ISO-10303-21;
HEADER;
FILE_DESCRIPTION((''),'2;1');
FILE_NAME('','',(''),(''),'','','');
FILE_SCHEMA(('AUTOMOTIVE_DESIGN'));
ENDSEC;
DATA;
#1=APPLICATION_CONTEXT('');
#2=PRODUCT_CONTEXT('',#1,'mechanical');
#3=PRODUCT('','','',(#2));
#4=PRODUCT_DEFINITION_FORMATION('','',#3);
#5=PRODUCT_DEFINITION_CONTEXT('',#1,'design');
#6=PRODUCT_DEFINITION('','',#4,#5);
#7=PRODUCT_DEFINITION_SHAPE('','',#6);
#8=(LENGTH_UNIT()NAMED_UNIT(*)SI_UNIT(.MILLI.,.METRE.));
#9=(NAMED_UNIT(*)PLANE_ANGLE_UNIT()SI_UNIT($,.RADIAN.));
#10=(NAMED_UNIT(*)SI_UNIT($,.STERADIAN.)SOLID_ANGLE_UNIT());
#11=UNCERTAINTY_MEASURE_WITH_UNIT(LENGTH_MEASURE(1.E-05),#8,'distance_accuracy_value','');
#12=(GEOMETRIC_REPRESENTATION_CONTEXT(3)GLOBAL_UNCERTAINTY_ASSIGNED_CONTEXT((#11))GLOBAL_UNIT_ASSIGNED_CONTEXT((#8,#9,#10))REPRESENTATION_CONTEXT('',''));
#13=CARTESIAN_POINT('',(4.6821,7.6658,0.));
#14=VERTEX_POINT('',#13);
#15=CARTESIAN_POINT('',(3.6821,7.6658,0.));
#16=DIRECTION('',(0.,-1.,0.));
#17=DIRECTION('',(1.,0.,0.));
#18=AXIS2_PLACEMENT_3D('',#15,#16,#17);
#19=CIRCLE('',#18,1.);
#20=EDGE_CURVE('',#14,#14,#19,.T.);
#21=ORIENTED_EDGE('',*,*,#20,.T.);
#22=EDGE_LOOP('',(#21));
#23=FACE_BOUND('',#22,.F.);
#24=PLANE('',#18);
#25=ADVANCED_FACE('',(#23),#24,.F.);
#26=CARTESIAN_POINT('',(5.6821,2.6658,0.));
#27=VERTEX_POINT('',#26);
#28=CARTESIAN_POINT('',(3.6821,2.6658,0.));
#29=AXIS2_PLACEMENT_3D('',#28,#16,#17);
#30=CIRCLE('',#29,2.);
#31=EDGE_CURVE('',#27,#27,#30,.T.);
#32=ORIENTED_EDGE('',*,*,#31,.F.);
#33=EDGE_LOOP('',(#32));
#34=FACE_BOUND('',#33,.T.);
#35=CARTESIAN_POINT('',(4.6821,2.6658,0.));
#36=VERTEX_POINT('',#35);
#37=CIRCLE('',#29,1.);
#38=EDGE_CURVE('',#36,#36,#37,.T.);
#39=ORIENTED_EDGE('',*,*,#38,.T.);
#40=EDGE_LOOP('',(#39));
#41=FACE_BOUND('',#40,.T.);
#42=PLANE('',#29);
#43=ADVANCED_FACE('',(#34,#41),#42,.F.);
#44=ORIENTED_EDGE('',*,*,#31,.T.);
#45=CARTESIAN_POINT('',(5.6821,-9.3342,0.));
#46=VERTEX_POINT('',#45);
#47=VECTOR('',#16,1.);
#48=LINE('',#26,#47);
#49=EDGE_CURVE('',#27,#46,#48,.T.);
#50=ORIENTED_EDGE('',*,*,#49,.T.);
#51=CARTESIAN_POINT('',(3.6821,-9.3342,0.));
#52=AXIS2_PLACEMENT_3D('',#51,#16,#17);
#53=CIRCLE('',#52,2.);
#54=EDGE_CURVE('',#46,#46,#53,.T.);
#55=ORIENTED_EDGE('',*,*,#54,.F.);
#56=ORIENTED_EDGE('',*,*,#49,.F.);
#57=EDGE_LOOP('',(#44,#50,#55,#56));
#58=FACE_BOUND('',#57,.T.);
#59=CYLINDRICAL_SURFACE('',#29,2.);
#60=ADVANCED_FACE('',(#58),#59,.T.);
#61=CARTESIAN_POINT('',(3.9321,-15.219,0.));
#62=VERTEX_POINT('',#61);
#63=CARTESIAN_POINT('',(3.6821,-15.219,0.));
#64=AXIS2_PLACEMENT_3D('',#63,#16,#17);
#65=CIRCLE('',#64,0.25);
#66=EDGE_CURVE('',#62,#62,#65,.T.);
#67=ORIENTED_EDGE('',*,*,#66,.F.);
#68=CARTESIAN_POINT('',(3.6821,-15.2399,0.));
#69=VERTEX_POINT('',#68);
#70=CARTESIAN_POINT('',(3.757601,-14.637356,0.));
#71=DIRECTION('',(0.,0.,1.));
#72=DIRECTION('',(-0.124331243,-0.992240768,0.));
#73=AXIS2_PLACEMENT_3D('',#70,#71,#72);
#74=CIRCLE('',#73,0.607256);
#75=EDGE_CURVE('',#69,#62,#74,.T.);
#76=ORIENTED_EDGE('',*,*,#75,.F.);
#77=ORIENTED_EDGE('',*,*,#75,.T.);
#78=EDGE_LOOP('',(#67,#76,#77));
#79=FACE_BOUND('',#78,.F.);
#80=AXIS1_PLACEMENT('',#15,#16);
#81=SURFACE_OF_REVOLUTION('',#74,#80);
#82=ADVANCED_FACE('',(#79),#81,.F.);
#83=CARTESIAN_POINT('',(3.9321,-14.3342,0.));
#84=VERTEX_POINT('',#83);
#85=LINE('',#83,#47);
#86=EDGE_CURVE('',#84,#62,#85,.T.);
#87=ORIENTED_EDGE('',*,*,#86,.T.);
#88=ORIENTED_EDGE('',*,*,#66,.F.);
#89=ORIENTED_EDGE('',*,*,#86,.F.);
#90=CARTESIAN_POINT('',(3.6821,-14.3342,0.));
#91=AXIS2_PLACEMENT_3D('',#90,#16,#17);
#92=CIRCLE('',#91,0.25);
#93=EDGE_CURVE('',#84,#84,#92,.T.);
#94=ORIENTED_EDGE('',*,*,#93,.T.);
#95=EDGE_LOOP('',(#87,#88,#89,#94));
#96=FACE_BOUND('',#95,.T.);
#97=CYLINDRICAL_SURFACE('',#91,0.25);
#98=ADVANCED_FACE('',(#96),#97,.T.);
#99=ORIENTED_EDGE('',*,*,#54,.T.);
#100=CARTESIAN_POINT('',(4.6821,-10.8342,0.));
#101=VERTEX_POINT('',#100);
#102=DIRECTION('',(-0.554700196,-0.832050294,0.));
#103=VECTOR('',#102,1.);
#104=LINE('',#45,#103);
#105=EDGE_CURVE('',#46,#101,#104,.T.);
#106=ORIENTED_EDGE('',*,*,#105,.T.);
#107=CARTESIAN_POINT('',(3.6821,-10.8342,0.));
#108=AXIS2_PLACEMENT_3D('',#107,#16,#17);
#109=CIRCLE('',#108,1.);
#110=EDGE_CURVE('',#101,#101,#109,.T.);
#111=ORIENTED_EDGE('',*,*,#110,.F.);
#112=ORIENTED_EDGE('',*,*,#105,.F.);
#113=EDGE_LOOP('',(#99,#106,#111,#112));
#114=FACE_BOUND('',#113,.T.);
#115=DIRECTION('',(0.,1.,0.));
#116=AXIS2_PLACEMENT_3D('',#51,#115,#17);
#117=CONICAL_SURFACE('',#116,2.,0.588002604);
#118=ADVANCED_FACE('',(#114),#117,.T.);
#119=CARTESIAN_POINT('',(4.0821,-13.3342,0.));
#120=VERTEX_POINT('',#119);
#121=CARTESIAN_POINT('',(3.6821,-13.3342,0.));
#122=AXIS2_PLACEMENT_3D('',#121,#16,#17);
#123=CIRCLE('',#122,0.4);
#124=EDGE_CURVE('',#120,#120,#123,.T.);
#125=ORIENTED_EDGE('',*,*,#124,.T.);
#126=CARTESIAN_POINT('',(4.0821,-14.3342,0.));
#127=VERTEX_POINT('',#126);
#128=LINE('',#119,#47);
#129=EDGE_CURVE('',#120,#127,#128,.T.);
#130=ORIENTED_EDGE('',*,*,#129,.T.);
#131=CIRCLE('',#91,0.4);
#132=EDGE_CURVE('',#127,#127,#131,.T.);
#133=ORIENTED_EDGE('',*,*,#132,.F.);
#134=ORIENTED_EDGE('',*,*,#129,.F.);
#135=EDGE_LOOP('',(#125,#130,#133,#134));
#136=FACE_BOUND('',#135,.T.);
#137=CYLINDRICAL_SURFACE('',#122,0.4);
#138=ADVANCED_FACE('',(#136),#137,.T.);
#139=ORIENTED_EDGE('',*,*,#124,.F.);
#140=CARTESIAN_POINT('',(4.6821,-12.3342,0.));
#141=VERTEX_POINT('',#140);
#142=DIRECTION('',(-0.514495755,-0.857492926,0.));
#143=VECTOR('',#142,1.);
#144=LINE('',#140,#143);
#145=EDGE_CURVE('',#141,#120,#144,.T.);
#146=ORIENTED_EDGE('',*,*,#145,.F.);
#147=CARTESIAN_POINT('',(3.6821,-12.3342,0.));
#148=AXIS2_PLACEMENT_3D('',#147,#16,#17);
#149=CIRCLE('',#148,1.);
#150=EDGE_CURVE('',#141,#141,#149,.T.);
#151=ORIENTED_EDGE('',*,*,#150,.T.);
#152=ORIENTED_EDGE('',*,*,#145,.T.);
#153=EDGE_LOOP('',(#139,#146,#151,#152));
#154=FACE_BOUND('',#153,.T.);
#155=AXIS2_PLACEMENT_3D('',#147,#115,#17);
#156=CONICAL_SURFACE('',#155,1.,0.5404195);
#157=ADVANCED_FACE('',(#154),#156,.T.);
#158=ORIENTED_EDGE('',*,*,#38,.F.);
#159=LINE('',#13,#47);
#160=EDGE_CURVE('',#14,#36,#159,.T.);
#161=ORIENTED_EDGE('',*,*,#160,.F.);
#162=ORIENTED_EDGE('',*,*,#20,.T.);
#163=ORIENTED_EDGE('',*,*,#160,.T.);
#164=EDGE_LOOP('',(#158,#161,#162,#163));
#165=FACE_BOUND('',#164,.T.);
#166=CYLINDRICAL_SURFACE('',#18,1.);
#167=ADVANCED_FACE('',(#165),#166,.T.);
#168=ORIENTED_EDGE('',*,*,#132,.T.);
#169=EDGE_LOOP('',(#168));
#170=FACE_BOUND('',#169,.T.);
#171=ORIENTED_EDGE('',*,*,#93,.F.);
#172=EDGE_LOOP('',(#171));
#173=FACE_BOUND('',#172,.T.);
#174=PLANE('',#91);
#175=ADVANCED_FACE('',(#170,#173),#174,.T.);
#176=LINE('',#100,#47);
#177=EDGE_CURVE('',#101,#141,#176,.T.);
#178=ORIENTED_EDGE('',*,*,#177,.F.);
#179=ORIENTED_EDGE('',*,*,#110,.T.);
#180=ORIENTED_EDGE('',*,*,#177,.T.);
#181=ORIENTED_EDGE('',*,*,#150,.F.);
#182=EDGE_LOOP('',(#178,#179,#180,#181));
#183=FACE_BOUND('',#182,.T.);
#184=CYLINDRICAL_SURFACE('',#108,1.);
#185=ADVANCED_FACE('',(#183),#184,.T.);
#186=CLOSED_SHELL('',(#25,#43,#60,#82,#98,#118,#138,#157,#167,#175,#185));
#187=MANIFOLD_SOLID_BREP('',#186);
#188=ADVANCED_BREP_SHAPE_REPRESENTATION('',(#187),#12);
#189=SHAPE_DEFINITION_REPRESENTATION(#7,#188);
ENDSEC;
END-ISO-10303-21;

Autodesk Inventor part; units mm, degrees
ref_plane "YZ Plane" through (0, 0, 0) normal (1, 0, 0) x (0, 1, 0)
ref_plane "XZ Plane" through (0, 0, 0) normal (0, 1, 0) x (-1, 0, 0)
ref_plane "XY Plane" through (0, 0, 0) normal (0, 0, 1) x (1, 0, 0)
sketch "Sketch1" plane through (0, 0, 0) normal (0, 0, 1) x (1, 0, 0)
  line L0 (4.6821, 7.6658) -> (4.6821, 2.6658)
  line L1 (4.6821, 2.6658) -> (5.6821, 2.6658)
  line L2 (5.6821, 2.6658) -> (5.6821, -9.3342)
  line L3 (5.6821, -9.3342) -> (4.6821, -10.8342)
  line L4 (4.6821, -10.8342) -> (4.6821, -12.3342)
  line L5 (4.0821, -13.3342) -> (4.0821, -14.3342)
  line L6 (4.6821, -12.3342) -> (4.0821, -13.3342)
  line L7 (3.9321, -14.3342) -> (3.9321, -15.219)
  line L8 (3.6821, 7.6658) -> (3.6821, -15.2399)
  line L9 (4.0821, -14.3342) -> (3.9321, -14.3342)
  arc A0 (3.6821, -15.2399) -> (3.9321, -15.219) centre (3.7576, -14.6374) ccw
  line L10 (4.6821, 7.6658) -> (3.6821, 7.6658)
  point P0 (0, 0)
  dimension "d7" = 5
  dimension "d10" = 12
  dimension "d14" = 1
  dimension "d17" = 1.5
  dimension "d18" = 3
  dimension "d19" = 1
  dimension "d21" = 0.5
  dimension "d22" = 0.8
  dimension "d23" = 2
  dimension "d24" = 4
  dimension "d25" = 2
revolve "Revolution1" add sketch "Sketch1" angle 360 about axis through (3.6821, 7.6658, 0) along (0, -1, 0)
properties material "Nickel-Copper Alloy 400"
